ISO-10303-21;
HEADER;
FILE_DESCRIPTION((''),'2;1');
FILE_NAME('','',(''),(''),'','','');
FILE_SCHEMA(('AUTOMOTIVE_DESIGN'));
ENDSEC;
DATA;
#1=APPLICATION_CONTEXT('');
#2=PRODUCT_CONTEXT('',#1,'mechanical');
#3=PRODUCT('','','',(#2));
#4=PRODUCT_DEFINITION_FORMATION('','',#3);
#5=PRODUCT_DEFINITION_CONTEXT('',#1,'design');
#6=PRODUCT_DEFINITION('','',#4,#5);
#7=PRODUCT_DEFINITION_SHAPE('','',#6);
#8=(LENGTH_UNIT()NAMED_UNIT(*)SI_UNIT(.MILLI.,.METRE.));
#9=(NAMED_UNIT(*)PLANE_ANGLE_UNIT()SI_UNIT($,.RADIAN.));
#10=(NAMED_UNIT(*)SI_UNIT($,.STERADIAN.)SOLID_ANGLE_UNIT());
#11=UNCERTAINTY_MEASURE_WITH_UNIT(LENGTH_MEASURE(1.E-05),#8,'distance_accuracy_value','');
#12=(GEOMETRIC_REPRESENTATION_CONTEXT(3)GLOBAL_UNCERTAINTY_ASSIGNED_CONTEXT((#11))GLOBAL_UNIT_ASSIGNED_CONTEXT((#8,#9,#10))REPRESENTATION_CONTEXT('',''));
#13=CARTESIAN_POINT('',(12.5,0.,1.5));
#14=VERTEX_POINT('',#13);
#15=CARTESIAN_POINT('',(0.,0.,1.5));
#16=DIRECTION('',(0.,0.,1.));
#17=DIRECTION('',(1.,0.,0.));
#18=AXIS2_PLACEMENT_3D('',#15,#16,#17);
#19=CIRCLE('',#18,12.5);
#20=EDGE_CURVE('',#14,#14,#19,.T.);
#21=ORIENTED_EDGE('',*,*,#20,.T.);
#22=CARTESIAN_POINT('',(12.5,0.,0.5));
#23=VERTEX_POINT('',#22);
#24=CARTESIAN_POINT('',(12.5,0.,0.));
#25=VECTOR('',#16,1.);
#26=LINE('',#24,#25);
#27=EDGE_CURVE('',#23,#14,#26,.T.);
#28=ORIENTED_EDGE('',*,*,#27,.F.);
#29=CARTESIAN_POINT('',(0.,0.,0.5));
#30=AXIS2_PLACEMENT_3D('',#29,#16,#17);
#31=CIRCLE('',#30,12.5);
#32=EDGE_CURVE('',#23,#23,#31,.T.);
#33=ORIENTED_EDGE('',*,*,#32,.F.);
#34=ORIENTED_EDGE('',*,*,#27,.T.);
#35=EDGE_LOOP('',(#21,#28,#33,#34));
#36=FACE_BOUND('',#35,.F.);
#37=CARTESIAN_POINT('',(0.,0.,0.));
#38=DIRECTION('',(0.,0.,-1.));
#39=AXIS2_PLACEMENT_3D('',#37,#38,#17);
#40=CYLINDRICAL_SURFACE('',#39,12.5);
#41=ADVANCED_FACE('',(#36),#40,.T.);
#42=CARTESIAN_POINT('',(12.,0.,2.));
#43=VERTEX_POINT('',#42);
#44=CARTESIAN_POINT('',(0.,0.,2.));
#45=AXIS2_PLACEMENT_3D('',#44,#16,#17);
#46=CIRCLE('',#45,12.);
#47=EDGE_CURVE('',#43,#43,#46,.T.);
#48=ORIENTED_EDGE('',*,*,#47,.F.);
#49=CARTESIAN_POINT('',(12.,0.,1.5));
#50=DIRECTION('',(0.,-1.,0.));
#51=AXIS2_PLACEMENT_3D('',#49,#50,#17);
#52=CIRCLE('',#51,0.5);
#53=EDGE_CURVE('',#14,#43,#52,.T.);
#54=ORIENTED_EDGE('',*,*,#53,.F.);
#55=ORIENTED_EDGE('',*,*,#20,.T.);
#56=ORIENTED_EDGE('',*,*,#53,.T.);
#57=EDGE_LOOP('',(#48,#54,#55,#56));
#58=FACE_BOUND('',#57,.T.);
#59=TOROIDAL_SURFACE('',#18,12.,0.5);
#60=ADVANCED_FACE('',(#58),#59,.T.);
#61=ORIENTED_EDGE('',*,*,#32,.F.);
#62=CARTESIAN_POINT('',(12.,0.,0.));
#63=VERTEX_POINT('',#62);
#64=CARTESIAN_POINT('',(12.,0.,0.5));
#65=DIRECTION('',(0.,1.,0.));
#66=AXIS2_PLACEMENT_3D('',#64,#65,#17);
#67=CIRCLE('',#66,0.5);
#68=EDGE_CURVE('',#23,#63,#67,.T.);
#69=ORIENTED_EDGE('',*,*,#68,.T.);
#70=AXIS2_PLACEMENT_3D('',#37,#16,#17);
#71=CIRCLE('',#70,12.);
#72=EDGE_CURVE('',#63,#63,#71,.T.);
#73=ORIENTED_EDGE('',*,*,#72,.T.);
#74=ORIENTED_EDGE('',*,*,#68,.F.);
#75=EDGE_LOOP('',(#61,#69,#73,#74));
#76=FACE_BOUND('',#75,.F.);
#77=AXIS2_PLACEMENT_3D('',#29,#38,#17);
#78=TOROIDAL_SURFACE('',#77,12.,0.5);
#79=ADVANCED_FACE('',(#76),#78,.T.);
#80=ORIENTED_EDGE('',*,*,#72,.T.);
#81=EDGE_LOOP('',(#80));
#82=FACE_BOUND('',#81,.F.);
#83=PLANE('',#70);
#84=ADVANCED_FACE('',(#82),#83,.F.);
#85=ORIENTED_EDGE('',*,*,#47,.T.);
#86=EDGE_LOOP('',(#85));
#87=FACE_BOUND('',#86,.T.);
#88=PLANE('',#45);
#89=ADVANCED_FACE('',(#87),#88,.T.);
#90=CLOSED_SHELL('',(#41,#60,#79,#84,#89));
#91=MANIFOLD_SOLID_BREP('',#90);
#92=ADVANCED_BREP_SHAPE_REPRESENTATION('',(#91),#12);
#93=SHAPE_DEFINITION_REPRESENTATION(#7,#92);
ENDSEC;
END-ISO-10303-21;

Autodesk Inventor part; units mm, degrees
ref_plane "YZ Plane" through (0, 0, 0) normal (1, 0, 0) x (0, 1, 0)
ref_plane "XZ Plane" through (0, 0, 0) normal (0, 1, 0) x (-1, 0, 0)
ref_plane "XY Plane" through (0, 0, 0) normal (0, 0, 1) x (1, 0, 0)
sketch "Sketch1" plane through (0, 0, 0) normal (0, 0, 1) x (1, 0, 0)
  circle A0 centre (0, 0) radius 12.5
  dimension "d0" = 25
extrude "Extrusion1" add sketch "Sketch1" along normal blind 2
fillet "Fillet1" radius 0.5 2 edges at (-12.5, 0, 2) (-12.5, 0, 0)
properties part number "ZnSeWindow" material "Glass"
